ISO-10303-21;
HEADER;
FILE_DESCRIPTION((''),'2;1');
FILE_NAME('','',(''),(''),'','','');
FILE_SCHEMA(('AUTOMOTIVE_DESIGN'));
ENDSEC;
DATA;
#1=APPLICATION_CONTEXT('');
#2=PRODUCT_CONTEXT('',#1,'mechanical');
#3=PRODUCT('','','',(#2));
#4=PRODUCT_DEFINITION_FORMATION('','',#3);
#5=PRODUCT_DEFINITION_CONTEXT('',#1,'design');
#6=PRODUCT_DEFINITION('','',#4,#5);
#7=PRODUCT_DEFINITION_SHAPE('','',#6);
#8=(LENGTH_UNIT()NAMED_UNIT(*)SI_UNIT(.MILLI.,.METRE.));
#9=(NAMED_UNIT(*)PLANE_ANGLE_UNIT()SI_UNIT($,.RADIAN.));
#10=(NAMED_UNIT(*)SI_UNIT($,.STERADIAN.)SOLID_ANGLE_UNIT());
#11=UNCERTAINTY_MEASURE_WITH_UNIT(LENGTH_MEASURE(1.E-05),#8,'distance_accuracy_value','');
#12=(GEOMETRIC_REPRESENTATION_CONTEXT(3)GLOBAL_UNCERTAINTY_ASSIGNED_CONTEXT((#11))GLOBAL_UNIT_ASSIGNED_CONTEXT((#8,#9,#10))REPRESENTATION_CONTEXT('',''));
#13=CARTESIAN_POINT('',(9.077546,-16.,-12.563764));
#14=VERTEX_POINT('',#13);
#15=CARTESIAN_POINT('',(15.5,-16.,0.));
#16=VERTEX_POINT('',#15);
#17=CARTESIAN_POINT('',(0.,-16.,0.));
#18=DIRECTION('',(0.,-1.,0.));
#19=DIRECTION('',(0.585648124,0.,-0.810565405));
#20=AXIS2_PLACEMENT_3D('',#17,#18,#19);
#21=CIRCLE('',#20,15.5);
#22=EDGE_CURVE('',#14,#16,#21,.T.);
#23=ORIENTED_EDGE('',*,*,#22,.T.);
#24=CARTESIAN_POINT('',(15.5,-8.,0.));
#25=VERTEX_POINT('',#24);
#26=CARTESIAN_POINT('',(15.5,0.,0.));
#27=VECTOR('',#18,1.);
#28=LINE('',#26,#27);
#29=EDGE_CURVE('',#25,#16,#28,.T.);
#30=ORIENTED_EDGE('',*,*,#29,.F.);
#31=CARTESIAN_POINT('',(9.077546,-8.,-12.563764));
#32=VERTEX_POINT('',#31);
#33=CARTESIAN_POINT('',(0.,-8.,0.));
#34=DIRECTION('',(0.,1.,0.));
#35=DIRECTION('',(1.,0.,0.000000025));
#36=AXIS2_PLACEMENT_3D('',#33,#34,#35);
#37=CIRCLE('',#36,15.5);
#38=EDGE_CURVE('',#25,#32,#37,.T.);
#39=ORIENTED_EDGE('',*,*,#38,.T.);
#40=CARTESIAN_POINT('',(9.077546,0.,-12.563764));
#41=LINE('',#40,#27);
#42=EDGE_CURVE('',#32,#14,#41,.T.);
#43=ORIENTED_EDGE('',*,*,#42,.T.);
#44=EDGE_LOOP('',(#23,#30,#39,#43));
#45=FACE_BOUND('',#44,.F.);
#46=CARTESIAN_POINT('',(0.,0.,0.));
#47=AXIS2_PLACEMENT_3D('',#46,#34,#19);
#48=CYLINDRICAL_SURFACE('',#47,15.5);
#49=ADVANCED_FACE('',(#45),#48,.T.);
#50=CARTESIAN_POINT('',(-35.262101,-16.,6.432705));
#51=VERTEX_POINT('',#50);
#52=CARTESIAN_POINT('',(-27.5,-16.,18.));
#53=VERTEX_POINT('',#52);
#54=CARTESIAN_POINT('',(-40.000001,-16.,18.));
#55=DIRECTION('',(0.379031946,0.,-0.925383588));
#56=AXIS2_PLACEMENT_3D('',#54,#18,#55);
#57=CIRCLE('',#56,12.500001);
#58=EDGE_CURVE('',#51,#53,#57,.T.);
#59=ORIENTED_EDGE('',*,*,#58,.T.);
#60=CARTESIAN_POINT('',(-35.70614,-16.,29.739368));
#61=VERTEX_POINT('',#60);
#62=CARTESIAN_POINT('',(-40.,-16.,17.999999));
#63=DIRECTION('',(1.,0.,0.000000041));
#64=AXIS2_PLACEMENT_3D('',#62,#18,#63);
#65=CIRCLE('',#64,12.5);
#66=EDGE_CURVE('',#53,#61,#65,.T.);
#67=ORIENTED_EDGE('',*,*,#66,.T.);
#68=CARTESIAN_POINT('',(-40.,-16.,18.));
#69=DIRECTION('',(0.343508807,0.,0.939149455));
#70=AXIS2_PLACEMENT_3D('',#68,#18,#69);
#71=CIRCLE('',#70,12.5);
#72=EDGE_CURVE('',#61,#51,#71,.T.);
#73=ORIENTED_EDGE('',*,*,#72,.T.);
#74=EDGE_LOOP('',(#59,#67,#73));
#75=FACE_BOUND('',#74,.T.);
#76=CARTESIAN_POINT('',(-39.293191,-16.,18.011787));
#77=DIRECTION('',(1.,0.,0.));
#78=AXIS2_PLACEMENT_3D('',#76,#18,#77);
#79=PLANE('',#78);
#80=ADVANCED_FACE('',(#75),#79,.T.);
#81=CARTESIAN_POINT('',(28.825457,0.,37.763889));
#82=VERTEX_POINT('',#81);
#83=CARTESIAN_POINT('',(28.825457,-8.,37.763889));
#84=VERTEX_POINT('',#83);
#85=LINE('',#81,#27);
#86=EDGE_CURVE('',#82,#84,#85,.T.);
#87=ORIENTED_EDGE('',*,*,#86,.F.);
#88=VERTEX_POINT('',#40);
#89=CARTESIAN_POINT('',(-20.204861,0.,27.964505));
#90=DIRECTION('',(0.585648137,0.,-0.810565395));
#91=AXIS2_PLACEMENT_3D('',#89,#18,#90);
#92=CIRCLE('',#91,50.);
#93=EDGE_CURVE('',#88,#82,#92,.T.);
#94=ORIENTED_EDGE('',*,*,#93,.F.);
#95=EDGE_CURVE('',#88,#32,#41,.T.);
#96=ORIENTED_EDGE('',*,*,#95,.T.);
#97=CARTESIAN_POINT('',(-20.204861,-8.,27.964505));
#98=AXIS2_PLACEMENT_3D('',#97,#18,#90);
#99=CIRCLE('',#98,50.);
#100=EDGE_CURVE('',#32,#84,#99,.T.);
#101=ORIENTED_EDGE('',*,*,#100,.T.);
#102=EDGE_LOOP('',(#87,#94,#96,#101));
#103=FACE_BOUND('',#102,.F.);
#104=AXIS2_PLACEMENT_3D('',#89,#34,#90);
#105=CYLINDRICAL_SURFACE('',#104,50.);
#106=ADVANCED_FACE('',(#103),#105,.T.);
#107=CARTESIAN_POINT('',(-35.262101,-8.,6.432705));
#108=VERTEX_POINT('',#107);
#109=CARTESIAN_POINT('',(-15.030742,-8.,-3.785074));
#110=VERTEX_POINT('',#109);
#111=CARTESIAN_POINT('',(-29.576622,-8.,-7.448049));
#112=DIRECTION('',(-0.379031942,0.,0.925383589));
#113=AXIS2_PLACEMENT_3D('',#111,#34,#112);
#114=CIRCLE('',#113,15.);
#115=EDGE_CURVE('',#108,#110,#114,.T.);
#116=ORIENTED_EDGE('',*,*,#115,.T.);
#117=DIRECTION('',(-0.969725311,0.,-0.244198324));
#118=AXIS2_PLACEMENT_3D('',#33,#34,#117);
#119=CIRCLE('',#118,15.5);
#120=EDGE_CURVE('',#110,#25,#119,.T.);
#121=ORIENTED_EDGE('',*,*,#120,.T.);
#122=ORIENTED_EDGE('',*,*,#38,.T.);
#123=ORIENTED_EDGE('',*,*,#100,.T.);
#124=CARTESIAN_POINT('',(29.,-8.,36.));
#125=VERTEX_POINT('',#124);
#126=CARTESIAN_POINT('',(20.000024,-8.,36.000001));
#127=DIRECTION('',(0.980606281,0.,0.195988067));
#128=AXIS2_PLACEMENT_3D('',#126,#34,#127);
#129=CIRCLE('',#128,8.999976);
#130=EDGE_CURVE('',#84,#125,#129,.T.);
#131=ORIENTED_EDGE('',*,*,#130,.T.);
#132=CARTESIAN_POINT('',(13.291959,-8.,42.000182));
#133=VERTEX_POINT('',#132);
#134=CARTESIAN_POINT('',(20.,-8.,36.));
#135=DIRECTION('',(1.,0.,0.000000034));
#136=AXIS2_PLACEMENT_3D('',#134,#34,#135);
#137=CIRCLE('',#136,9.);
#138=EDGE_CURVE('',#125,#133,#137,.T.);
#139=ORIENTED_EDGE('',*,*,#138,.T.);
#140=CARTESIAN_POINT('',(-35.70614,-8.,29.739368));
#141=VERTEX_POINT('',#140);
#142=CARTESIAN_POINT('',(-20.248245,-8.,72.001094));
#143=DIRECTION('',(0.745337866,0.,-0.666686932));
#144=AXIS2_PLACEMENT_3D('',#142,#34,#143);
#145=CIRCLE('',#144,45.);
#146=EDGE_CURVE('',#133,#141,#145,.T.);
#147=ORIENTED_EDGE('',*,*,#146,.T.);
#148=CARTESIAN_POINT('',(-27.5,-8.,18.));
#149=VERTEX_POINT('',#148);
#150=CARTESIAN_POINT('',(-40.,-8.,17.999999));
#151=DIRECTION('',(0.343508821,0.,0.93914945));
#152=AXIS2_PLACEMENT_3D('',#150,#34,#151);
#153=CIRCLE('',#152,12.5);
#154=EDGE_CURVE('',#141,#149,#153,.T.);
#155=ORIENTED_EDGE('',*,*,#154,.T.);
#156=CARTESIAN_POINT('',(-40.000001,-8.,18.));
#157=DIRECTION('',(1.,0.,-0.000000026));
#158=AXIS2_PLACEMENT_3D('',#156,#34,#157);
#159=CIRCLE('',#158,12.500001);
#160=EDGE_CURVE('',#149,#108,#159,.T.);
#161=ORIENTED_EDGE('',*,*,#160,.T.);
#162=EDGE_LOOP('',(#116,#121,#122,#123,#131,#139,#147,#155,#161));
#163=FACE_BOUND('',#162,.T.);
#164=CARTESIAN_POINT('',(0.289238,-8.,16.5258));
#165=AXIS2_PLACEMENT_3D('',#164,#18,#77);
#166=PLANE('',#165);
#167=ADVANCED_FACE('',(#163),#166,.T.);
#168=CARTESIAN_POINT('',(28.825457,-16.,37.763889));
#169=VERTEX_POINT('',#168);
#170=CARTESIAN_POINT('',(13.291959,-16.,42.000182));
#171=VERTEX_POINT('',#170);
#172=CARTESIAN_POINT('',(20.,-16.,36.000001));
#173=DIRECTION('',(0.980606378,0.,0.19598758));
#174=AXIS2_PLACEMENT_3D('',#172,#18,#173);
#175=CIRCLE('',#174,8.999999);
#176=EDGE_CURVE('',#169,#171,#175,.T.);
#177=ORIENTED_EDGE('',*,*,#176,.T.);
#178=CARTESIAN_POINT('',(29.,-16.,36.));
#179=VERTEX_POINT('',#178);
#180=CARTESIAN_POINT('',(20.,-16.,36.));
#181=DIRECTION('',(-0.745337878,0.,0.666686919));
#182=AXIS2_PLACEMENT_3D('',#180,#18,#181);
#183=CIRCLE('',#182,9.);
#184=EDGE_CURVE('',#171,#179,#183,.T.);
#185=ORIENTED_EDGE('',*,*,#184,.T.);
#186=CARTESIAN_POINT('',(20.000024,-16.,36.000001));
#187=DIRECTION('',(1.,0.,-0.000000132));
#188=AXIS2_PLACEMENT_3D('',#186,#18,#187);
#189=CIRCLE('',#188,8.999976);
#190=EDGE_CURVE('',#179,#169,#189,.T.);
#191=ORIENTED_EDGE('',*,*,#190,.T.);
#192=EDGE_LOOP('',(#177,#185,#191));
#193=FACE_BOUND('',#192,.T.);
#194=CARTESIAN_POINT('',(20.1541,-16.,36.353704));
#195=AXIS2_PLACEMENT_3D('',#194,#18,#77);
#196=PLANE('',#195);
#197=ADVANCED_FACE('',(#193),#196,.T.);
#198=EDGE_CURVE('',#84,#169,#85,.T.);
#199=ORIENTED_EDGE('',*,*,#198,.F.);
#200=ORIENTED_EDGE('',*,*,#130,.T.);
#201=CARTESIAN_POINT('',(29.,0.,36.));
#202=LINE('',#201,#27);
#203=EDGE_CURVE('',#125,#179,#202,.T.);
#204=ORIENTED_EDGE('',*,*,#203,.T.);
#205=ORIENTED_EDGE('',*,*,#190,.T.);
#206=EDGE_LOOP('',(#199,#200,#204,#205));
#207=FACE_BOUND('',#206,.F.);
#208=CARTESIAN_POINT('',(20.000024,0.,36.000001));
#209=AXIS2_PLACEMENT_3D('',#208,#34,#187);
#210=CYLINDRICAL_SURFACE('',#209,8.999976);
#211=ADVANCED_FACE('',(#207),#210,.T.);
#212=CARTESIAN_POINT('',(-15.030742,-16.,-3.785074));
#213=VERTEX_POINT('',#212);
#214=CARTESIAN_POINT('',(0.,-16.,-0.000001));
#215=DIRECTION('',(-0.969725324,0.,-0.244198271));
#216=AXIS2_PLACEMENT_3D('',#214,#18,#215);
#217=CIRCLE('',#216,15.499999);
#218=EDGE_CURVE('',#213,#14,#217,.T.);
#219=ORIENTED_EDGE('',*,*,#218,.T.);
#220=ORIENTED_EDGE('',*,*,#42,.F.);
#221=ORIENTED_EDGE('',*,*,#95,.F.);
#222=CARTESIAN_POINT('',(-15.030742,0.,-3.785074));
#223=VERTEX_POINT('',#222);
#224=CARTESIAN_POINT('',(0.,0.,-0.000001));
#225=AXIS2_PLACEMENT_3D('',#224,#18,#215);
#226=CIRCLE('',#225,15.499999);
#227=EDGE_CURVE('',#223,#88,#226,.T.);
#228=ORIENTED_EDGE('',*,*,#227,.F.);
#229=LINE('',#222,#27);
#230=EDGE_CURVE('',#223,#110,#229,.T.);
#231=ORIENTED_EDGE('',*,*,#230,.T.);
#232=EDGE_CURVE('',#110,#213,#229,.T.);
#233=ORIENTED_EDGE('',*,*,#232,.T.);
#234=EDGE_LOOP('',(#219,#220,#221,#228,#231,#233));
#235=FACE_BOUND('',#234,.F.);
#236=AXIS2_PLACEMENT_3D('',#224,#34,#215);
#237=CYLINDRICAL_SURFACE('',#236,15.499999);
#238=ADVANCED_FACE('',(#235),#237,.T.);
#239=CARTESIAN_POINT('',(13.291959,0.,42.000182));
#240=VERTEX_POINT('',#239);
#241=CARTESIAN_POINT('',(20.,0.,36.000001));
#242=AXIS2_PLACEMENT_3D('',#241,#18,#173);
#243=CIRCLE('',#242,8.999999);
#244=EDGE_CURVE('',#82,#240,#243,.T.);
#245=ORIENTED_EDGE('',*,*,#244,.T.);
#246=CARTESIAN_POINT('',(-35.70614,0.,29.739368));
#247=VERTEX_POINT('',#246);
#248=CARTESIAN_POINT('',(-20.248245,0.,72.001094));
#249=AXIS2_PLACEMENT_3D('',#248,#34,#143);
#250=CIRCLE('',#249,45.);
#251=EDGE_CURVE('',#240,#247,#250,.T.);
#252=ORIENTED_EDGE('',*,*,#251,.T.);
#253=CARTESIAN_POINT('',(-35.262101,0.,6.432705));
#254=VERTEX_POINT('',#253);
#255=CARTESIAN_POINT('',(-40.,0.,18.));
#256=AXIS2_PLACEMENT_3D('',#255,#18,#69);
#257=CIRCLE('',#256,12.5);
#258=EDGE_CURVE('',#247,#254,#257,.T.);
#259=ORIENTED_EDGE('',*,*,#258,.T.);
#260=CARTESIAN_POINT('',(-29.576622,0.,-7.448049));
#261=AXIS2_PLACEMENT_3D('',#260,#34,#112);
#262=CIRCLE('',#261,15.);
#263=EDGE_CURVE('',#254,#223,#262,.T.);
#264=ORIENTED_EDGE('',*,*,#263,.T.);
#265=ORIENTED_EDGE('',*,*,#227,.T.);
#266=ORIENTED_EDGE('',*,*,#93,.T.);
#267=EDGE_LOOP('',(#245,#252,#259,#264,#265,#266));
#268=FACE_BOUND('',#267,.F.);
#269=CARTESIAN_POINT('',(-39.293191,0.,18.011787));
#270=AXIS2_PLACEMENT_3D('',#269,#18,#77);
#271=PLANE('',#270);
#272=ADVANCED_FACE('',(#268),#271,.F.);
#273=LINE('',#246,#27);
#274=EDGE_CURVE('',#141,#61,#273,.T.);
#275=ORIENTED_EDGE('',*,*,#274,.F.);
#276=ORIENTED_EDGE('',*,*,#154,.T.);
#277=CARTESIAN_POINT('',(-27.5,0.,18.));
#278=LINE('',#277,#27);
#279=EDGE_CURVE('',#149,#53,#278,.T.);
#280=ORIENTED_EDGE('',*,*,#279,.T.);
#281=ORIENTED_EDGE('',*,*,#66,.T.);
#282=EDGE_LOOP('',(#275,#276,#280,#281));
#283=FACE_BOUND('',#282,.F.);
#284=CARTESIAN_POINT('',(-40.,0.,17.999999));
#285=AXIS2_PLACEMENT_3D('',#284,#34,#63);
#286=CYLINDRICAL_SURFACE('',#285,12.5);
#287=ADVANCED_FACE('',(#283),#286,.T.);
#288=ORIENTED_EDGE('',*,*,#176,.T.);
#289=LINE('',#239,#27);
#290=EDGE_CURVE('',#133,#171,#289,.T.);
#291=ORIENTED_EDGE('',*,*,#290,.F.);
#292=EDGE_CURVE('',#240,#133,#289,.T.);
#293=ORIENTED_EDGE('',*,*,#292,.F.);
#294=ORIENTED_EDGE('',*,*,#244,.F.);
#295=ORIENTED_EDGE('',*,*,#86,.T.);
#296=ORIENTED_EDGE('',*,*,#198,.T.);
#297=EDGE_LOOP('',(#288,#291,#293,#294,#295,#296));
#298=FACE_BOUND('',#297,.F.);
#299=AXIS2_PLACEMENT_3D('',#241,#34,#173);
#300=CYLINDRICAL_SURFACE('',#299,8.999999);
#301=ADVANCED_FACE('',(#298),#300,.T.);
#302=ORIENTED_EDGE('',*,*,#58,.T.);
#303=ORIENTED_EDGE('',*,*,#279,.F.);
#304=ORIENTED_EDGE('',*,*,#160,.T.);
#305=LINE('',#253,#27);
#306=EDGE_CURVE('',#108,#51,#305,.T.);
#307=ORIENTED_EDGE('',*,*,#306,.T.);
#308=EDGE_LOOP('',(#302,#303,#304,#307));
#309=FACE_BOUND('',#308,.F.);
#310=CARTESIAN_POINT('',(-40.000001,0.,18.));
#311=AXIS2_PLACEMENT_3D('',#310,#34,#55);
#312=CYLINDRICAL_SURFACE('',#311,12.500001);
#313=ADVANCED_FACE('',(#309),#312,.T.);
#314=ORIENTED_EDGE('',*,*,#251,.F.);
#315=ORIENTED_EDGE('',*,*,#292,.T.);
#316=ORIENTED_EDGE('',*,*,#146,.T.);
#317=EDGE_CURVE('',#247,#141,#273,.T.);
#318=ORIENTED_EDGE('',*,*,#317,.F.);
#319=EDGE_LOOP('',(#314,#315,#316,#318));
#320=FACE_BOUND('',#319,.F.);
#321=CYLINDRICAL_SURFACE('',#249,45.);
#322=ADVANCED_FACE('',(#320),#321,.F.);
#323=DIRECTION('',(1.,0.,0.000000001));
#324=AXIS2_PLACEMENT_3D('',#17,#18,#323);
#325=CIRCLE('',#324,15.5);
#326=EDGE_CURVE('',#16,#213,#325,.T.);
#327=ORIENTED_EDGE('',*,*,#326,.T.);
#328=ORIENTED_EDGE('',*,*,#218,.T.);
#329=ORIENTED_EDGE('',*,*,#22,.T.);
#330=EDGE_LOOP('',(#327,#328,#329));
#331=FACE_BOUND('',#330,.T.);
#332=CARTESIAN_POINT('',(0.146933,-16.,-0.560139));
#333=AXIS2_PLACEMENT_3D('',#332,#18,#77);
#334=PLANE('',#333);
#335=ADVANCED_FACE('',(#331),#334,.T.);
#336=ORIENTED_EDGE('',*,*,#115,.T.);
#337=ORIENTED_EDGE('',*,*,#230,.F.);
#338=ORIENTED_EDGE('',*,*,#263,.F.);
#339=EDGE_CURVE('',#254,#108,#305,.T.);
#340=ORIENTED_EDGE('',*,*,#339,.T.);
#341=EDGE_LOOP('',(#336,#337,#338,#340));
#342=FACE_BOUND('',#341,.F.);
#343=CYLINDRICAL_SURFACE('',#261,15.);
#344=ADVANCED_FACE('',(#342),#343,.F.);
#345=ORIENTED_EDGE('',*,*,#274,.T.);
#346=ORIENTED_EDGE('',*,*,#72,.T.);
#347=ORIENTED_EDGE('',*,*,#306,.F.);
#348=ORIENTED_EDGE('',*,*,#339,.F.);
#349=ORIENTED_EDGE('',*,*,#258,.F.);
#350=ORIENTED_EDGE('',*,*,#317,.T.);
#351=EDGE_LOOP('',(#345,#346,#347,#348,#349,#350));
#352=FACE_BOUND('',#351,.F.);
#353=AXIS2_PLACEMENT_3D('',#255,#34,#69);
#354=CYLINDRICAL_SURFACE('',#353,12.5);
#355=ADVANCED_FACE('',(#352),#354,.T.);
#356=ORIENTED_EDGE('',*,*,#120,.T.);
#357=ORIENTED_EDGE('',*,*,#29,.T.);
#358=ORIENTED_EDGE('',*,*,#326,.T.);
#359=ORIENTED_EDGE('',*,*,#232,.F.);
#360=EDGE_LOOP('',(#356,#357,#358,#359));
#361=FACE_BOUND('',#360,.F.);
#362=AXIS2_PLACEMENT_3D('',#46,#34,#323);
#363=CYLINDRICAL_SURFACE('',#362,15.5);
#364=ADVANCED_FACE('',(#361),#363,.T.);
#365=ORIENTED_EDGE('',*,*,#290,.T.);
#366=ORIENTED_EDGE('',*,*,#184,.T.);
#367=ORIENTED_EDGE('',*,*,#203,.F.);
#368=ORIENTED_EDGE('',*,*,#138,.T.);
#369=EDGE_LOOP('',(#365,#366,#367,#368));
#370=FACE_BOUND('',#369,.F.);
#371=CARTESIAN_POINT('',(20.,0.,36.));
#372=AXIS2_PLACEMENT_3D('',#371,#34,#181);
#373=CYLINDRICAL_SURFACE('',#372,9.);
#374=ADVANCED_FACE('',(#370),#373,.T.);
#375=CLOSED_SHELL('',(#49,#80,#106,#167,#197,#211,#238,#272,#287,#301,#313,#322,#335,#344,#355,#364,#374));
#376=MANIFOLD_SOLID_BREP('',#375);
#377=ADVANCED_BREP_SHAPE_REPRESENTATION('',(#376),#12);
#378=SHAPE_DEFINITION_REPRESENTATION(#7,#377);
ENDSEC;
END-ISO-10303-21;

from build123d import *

# Parameters (mm, degrees)
F1_DEPTH = 8
F2_DEPTH = 16


with BuildPart() as f1:
    # F0 (on Front) → F1 (new body)
    with BuildSketch(Plane.XZ):
        with BuildLine():
            ThreePointArc((-15.030742, -3.785074), (-1.907026, 15.382238), (15.5, 0))
            ThreePointArc((15.5, 0), (13.801304, -7.05507), (9.077546, -12.563764))
            ThreePointArc((9.077546, -12.563764), (26.340159, 9.70085), (28.825457, 37.763889))
            ThreePointArc((28.825457, 37.763889), (28.956258, 36.886252), (29, 36))
            ThreePointArc((29, 36), (16.788487, 27.592492), (13.291959, 42.000182))
            ThreePointArc((13.291959, 42.000182), (-9.324676, 28.347049), (-35.70614, 29.739368))
            ThreePointArc((-35.70614, 29.739368), (-29.754922, 25.16159), (-27.5, 18))
            ThreePointArc((-27.5, 18), (-29.620363, 11.034863), (-35.262101, 6.432705))
            ThreePointArc((-35.262101, 6.432705), (-22.814416, 5.941222), (-15.030742, -3.785074))
        make_face()
    extrude(amount=F1_DEPTH)

    # F0 (on Front) → F2 (join)
    with BuildSketch(Plane.XZ):
        with BuildLine():
            ThreePointArc((-35.70614, 29.739368), (-52.497732, 17.761893), (-35.262101, 6.432705))
            ThreePointArc((-35.262101, 6.432705), (-29.620363, 11.034863), (-27.5, 18))
            ThreePointArc((-27.5, 18), (-29.754922, 25.16159), (-35.70614, 29.739368))
        make_face()
        with BuildLine():
            ThreePointArc((9.077546, -12.563764), (13.801304, -7.05507), (15.5, 0))
            ThreePointArc((15.5, 0), (-1.907026, 15.382238), (-15.030742, -3.785074))
            ThreePointArc((-15.030742, -3.785074), (-5.303441, -14.564461), (9.077546, -12.563764))
        make_face()
        with BuildLine():
            ThreePointArc((29, 36), (28.956258, 36.886252), (28.825457, 37.763889))
            ThreePointArc((28.825457, 37.763889), (22.367997, 44.682891), (13.291959, 42.000182))
            ThreePointArc((13.291959, 42.000182), (16.788487, 27.592492), (29, 36))
        make_face()
    extrude(amount=F2_DEPTH)


solid = f1.part
